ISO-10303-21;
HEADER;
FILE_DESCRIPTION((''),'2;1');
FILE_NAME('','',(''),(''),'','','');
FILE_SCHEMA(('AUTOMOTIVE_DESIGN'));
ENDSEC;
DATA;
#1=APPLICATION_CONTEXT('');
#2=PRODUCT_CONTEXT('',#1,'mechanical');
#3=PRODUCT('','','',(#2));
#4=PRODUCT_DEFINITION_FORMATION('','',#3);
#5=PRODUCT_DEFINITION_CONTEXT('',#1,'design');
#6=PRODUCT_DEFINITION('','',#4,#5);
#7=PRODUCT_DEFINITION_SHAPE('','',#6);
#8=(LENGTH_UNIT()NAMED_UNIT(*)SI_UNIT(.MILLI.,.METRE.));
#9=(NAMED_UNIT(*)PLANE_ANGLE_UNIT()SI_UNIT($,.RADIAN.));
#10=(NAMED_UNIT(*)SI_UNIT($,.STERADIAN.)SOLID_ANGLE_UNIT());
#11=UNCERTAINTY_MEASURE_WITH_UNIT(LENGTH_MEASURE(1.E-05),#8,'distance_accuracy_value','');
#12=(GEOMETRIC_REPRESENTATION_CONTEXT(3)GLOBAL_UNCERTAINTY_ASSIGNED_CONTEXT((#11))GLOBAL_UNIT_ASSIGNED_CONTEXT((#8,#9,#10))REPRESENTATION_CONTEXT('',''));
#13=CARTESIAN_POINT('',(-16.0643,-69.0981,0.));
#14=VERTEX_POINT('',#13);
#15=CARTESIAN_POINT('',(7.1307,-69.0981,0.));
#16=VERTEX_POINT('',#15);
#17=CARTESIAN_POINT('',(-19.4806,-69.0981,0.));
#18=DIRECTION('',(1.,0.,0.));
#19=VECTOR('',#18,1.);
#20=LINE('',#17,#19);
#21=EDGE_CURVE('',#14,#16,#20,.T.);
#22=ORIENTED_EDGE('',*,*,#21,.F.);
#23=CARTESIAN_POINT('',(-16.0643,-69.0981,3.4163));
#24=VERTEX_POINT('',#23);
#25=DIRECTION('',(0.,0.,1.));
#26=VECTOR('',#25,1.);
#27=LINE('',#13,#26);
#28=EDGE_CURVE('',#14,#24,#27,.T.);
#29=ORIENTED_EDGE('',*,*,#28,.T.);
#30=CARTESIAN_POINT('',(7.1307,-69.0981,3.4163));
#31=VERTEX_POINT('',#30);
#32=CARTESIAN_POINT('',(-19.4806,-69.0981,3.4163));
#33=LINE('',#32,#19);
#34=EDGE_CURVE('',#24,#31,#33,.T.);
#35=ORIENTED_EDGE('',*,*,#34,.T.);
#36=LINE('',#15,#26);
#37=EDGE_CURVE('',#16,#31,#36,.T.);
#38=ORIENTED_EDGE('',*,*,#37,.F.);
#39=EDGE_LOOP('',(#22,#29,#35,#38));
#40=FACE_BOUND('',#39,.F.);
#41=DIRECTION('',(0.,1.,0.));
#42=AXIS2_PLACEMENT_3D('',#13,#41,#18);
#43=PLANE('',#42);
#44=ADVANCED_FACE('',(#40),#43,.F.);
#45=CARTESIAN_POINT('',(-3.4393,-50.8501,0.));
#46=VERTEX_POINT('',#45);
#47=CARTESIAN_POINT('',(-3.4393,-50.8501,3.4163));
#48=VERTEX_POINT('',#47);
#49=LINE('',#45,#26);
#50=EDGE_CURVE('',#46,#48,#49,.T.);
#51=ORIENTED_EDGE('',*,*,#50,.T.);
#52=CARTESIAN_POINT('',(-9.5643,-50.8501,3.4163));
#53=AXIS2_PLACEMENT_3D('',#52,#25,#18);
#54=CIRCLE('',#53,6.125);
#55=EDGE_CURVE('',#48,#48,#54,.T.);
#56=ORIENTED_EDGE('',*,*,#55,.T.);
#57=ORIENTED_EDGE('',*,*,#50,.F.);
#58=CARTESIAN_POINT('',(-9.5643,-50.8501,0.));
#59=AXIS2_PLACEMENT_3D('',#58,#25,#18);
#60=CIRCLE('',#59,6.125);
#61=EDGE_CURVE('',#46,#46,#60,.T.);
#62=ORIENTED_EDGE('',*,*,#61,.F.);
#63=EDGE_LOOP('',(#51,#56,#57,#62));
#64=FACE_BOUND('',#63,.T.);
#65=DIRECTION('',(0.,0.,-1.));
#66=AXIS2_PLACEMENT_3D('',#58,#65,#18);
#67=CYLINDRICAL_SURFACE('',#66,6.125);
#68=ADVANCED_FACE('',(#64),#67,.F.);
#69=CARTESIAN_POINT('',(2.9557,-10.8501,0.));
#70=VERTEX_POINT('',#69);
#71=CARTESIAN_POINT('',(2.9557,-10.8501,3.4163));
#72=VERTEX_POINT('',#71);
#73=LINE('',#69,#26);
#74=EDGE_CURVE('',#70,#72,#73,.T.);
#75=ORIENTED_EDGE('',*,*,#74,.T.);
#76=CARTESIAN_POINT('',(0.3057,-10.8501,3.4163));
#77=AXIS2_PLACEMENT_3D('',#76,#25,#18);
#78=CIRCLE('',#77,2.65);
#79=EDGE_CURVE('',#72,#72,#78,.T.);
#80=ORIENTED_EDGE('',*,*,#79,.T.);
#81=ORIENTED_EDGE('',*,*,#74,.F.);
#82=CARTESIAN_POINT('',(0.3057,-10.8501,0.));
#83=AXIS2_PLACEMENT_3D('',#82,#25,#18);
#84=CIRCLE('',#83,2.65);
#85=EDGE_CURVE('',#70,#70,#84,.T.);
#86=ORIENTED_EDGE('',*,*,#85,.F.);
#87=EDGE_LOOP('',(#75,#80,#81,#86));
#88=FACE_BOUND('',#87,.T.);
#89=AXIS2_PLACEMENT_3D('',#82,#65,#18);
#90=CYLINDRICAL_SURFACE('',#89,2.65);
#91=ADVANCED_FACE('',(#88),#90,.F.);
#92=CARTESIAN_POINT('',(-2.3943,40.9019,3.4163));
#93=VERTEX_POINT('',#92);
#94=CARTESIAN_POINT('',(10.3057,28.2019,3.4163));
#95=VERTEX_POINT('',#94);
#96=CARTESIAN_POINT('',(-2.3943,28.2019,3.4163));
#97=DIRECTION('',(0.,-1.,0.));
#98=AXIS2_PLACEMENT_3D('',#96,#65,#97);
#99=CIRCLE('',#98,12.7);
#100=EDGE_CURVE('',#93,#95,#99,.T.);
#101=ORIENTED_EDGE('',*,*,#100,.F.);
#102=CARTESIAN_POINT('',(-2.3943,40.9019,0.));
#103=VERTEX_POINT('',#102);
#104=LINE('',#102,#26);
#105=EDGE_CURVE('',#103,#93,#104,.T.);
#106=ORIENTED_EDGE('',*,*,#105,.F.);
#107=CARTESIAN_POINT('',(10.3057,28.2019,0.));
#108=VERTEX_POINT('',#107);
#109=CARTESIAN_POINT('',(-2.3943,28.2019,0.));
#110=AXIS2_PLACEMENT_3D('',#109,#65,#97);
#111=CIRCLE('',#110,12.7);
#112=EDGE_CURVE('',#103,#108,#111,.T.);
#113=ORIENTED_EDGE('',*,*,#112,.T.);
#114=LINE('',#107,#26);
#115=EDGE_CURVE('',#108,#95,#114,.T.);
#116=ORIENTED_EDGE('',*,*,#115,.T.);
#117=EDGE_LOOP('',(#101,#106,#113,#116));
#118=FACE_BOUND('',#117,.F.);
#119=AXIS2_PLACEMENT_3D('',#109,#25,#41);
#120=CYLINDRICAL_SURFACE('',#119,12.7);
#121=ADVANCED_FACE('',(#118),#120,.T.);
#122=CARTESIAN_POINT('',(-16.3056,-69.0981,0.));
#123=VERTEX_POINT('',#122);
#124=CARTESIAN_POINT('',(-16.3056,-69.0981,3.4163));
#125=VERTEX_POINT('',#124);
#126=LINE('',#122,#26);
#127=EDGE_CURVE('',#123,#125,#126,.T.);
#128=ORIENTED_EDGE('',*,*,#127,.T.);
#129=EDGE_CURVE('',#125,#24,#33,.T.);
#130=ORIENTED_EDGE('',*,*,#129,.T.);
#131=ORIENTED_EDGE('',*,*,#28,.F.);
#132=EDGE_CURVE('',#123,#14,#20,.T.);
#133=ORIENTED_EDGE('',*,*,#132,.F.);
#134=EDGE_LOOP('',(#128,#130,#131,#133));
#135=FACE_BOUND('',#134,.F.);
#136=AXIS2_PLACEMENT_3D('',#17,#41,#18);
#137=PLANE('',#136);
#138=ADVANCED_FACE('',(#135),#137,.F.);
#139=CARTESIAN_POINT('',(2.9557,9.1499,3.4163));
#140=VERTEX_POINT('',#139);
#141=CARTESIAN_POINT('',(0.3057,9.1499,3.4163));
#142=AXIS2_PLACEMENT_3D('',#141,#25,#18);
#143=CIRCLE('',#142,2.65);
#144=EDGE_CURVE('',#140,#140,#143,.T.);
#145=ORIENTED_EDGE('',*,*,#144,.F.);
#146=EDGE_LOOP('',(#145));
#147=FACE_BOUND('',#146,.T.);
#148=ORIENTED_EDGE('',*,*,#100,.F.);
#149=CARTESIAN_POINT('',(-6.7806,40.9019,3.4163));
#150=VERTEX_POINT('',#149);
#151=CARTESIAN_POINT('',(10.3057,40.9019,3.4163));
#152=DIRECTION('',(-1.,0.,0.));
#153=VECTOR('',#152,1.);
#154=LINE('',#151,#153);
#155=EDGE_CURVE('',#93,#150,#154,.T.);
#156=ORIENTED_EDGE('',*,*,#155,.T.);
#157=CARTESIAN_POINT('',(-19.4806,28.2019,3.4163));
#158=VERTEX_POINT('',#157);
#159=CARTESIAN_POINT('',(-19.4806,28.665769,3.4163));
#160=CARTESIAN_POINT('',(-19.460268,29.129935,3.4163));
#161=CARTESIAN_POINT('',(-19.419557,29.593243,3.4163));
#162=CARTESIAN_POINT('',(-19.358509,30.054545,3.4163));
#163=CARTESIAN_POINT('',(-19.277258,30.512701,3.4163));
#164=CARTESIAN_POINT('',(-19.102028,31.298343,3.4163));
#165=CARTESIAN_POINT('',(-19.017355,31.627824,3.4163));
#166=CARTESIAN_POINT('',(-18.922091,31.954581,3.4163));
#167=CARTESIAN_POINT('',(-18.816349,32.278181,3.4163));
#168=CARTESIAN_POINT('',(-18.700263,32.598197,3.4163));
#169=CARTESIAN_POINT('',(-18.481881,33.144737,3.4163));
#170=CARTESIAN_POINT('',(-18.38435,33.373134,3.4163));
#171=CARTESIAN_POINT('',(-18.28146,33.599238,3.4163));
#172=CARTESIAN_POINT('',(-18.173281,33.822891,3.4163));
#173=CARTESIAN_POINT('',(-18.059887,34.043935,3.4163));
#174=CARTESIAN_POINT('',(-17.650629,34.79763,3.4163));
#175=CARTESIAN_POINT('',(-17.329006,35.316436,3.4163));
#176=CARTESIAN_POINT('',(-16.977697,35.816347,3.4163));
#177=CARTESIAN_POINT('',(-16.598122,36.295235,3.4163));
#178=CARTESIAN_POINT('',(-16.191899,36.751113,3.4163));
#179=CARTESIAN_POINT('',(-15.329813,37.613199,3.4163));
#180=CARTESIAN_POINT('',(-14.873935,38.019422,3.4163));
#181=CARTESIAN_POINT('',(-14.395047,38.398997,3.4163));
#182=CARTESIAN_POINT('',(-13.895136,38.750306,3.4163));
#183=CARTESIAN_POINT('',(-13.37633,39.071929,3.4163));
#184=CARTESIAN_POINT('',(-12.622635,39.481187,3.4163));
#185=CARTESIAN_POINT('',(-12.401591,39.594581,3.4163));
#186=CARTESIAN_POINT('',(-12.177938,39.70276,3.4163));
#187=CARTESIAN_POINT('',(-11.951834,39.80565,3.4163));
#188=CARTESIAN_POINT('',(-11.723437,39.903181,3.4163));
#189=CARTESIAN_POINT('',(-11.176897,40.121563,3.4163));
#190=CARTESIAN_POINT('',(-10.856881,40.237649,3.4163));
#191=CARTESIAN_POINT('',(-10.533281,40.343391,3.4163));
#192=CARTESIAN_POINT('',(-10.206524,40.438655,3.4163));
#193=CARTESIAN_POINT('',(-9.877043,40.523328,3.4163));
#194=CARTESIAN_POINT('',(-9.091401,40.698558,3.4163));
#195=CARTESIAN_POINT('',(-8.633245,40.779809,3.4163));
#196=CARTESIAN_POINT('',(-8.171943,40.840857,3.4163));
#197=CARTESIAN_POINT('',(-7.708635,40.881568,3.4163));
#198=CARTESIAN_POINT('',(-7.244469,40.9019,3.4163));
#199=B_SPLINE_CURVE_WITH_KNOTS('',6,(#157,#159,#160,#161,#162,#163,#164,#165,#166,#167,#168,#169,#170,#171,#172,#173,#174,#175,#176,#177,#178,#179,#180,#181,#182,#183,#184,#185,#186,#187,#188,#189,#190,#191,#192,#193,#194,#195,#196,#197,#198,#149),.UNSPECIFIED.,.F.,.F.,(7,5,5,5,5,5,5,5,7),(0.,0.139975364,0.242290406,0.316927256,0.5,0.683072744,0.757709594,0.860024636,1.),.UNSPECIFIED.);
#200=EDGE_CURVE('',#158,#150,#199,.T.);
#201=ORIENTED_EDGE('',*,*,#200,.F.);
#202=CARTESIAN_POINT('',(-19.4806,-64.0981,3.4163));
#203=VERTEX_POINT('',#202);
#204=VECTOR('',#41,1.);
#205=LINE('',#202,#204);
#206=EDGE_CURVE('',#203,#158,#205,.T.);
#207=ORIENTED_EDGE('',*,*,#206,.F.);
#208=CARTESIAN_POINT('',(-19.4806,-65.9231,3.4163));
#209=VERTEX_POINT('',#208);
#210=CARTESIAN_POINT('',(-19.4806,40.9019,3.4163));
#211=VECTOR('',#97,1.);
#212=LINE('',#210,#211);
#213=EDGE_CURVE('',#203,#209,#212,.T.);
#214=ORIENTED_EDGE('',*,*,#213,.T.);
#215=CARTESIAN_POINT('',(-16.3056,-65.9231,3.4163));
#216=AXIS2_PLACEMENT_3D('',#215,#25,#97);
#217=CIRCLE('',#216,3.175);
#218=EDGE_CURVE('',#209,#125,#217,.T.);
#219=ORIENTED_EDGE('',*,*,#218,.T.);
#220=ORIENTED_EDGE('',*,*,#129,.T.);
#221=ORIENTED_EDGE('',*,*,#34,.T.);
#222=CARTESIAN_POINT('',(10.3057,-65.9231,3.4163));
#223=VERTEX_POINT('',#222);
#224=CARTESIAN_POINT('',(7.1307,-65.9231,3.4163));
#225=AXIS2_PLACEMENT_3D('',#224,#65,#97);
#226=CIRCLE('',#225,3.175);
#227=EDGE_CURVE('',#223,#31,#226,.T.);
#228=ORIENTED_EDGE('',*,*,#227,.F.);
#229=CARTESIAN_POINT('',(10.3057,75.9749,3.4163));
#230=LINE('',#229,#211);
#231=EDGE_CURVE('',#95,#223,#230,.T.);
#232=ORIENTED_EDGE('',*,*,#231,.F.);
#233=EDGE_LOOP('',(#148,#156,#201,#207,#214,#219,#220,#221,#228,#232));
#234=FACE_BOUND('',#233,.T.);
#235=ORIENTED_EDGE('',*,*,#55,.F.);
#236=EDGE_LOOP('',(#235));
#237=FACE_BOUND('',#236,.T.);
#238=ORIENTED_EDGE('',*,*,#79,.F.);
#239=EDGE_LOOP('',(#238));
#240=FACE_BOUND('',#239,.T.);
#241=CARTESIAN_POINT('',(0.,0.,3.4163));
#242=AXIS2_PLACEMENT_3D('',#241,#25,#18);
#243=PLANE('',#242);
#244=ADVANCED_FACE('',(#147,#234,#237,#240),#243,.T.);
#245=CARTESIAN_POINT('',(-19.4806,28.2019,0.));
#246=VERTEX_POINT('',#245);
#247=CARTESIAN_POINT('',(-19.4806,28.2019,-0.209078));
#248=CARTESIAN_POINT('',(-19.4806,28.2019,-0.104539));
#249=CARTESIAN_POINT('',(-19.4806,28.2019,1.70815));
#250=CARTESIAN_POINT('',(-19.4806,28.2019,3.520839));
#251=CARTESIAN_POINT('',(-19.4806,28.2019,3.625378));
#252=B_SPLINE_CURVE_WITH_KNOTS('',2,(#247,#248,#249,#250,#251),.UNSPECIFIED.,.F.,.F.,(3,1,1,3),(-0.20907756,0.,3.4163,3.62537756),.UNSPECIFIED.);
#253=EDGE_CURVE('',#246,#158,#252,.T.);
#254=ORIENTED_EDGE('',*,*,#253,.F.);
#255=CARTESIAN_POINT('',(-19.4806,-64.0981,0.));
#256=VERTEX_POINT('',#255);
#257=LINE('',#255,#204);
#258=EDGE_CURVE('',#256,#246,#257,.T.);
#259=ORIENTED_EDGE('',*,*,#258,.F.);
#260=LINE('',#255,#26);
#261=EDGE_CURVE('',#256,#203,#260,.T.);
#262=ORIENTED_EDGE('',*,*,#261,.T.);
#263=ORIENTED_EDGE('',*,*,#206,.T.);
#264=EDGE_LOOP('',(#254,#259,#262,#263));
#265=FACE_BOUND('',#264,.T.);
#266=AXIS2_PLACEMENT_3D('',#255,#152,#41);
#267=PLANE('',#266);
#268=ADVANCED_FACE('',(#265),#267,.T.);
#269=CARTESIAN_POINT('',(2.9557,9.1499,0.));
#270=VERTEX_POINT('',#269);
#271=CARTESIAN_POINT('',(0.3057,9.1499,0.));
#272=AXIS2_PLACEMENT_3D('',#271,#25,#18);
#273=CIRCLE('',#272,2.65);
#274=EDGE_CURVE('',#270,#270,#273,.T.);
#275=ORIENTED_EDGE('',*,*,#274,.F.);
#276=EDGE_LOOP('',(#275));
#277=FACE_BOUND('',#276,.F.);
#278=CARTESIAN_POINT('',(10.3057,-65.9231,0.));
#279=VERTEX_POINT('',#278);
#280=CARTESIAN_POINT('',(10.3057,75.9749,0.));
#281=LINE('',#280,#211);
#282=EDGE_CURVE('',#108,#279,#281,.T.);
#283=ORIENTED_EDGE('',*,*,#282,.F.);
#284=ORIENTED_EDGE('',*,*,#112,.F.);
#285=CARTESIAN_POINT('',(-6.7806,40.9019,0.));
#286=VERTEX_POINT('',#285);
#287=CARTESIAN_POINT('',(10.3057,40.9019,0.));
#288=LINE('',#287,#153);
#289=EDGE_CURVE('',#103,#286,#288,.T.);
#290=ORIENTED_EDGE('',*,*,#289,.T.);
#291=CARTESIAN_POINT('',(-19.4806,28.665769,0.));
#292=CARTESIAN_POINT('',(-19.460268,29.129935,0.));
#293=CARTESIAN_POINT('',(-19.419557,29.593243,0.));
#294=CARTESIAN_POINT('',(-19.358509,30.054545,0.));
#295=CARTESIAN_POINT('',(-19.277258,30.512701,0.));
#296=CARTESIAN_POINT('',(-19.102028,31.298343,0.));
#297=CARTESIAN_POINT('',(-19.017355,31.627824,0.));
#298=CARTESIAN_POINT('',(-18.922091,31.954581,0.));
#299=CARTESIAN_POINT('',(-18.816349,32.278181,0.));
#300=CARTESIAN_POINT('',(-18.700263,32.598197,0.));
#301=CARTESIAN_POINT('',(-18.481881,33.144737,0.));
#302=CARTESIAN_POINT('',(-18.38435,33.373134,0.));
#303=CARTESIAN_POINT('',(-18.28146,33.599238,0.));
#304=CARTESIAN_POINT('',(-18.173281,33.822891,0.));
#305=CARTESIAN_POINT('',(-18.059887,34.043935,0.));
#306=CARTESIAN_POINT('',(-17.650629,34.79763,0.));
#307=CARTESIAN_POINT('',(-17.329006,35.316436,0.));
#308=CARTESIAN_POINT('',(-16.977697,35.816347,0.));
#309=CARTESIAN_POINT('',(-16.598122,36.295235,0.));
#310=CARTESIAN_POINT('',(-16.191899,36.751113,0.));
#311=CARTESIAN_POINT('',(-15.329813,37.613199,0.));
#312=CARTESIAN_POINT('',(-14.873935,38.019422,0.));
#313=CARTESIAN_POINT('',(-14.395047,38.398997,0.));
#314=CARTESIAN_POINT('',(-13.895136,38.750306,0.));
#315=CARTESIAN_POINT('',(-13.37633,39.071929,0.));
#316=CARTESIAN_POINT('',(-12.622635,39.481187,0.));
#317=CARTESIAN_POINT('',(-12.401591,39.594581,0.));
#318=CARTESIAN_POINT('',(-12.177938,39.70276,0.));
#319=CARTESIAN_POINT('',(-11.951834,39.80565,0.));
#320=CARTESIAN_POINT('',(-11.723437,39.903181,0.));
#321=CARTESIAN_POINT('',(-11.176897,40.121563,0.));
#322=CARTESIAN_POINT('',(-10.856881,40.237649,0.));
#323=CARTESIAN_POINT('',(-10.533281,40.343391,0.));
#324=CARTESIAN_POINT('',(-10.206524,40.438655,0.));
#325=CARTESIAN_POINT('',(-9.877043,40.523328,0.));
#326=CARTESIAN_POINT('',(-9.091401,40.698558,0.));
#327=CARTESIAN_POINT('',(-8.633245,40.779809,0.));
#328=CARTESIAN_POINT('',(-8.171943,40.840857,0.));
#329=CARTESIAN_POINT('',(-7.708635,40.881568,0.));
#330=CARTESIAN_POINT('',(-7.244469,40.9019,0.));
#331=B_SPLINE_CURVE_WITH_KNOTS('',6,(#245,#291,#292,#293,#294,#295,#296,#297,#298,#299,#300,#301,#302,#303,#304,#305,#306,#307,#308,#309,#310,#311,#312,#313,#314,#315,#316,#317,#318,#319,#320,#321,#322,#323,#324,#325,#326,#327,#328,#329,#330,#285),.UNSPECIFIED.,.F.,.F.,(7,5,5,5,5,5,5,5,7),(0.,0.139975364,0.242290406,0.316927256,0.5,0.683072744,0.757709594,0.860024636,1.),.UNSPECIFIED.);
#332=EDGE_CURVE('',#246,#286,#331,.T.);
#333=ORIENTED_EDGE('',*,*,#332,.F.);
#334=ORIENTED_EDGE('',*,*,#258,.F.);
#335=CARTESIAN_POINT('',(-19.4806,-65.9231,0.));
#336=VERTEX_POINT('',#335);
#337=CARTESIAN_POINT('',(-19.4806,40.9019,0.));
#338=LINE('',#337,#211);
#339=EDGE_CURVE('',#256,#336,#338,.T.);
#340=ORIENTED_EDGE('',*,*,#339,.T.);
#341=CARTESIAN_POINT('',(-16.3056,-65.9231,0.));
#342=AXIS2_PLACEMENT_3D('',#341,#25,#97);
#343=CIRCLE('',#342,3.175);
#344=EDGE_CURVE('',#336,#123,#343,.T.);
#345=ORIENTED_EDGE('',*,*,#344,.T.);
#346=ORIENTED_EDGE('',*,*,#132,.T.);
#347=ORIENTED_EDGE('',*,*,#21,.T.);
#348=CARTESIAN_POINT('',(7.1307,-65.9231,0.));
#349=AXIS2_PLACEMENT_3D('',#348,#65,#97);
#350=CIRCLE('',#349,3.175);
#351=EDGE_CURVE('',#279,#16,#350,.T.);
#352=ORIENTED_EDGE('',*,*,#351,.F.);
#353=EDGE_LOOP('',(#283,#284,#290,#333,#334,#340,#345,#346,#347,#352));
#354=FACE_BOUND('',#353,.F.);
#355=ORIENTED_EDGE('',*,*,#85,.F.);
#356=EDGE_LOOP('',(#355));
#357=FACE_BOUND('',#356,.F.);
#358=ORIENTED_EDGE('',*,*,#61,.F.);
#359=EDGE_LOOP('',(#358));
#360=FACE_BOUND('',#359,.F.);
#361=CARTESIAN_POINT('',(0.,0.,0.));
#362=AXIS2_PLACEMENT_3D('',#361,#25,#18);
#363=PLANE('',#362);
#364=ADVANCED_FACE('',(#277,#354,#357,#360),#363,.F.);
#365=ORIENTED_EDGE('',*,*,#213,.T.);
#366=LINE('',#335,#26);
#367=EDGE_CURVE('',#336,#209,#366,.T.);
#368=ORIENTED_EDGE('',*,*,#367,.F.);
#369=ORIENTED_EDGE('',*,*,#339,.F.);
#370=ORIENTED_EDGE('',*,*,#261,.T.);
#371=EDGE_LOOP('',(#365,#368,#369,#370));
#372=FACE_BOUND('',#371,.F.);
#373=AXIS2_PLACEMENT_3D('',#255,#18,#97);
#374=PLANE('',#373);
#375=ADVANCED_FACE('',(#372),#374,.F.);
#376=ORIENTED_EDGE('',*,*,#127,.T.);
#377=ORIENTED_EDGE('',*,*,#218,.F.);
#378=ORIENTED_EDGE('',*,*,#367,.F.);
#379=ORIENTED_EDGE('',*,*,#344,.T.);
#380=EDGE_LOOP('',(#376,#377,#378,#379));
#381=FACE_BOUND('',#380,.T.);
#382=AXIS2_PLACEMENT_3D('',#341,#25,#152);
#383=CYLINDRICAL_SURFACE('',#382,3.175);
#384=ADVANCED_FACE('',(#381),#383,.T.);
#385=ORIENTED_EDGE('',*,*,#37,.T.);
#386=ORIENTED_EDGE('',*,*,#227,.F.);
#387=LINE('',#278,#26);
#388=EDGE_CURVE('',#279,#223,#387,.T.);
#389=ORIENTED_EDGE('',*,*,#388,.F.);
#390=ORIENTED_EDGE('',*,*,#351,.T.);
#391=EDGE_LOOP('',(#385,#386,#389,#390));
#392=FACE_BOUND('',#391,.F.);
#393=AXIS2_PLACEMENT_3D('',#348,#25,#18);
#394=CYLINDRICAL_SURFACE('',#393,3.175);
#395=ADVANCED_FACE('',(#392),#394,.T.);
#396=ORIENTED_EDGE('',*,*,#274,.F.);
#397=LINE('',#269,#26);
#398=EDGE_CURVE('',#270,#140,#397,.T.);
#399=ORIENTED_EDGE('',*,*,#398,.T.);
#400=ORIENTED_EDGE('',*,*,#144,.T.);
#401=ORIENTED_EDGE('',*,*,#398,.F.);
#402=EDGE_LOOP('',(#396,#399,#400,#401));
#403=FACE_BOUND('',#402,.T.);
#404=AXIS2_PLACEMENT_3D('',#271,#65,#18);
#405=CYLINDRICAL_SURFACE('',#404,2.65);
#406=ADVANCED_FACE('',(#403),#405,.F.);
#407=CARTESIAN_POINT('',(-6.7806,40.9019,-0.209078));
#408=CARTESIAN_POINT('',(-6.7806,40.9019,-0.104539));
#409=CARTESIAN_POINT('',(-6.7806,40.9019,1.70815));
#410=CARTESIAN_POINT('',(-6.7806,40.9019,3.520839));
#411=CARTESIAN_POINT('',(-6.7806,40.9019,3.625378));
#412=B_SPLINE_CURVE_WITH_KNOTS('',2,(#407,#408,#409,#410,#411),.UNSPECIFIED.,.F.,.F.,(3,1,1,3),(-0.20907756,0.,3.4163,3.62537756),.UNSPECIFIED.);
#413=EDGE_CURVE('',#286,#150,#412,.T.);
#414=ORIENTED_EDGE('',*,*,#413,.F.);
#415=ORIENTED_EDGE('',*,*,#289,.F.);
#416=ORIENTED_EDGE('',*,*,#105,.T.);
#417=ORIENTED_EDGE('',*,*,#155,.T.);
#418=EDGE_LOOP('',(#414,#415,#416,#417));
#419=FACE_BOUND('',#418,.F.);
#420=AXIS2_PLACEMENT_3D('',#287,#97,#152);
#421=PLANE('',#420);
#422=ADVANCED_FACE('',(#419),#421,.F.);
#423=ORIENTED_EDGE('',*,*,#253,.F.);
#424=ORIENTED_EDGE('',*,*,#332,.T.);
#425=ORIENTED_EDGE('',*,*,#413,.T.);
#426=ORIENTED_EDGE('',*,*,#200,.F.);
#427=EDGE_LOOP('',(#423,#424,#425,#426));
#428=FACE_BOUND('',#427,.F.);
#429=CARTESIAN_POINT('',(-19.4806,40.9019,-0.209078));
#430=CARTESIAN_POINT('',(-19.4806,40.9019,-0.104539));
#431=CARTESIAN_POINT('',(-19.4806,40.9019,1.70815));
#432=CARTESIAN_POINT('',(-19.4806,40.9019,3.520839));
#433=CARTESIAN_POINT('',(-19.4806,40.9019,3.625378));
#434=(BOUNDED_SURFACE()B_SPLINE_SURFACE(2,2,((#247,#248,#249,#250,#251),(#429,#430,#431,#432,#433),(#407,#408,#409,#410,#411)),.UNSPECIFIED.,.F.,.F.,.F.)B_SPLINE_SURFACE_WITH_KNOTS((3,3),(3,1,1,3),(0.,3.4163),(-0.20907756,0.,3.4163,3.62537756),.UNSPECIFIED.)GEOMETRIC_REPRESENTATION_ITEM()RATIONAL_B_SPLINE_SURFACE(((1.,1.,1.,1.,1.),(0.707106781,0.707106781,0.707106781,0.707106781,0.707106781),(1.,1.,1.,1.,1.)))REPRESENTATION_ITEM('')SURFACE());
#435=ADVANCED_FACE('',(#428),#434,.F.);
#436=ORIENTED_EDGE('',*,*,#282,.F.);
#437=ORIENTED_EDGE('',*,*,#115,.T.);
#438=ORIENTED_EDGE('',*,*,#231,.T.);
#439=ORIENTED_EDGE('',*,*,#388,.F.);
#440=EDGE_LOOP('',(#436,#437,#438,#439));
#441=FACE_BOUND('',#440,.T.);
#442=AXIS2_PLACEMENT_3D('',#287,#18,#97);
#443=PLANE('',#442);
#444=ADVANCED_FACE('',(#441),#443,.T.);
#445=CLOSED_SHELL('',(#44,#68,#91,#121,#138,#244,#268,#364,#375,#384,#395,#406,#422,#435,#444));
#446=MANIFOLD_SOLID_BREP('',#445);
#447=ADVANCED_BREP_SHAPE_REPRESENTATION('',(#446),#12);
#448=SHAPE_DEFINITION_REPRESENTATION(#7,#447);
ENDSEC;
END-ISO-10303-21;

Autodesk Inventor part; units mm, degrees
ref_plane "YZ Plane" through (0, 0, 0) normal (1, 0, 0) x (0, 1, 0)
ref_plane "XZ Plane" through (0, 0, 0) normal (0, 1, 0) x (-1, 0, 0)
ref_plane "XY Plane" through (0, 0, 0) normal (0, 0, 1) x (1, 0, 0)
sketch "Sketch1" plane through (0, 0, 0) normal (0, 0, 1) x (1, 0, 0)
  line L0 (-19.4806, -69.0981) -> (-16.0643, -69.0981) projected
  line L1 (-16.0643, 40.9019) -> (-19.4806, 40.9019) projected
  circle A0 centre (0.3057, -10.8501) radius 2.65 projected
  circle A1 centre (0.3057, 9.1499) radius 2.65 projected
  line L2 (-19.4806, -64.0981) -> (-19.4806, 35.9019) projected
  line L3 (60.4357, -17.8501) -> (60.4357, 16.1499) projected
  arc A2 (32.4357, 9.8999) -> (32.4357, -11.6001) centre (32.4357, -0.8501) ccw projected
  circle A3 centre (-9.5643, -50.8501) radius 6.125 projected
  line L4 (10.3057, 75.9749) -> (10.3057, -77.6751) projected
  line L5 (-19.4806, -69.0981) -> (10.3057, -69.0981)
  line L6 (10.3057, -69.0981) -> (10.3057, 40.9019)
  line L7 (10.3057, 40.9019) -> (-19.4806, 40.9019)
  line L8 (-19.4806, 40.9019) -> (-19.4806, -69.0981)
  point P0 (0, 0)
extrude "Extrusion1" add sketch "Sketch1" along normal blind 3.4163
fillet "Fillet1" radius 3.175 2 edges at (10.3057, -69.0981, 1.7082) (-19.4806, -69.0981, 1.7082)
fillet "Fillet2" radius 12.7 2 edges at (-19.4806, 40.9019, 1.7082) (10.3057, 40.9019, 1.7082)
properties part number "z_screw_bottom_mount" material "Steel, Mild"
